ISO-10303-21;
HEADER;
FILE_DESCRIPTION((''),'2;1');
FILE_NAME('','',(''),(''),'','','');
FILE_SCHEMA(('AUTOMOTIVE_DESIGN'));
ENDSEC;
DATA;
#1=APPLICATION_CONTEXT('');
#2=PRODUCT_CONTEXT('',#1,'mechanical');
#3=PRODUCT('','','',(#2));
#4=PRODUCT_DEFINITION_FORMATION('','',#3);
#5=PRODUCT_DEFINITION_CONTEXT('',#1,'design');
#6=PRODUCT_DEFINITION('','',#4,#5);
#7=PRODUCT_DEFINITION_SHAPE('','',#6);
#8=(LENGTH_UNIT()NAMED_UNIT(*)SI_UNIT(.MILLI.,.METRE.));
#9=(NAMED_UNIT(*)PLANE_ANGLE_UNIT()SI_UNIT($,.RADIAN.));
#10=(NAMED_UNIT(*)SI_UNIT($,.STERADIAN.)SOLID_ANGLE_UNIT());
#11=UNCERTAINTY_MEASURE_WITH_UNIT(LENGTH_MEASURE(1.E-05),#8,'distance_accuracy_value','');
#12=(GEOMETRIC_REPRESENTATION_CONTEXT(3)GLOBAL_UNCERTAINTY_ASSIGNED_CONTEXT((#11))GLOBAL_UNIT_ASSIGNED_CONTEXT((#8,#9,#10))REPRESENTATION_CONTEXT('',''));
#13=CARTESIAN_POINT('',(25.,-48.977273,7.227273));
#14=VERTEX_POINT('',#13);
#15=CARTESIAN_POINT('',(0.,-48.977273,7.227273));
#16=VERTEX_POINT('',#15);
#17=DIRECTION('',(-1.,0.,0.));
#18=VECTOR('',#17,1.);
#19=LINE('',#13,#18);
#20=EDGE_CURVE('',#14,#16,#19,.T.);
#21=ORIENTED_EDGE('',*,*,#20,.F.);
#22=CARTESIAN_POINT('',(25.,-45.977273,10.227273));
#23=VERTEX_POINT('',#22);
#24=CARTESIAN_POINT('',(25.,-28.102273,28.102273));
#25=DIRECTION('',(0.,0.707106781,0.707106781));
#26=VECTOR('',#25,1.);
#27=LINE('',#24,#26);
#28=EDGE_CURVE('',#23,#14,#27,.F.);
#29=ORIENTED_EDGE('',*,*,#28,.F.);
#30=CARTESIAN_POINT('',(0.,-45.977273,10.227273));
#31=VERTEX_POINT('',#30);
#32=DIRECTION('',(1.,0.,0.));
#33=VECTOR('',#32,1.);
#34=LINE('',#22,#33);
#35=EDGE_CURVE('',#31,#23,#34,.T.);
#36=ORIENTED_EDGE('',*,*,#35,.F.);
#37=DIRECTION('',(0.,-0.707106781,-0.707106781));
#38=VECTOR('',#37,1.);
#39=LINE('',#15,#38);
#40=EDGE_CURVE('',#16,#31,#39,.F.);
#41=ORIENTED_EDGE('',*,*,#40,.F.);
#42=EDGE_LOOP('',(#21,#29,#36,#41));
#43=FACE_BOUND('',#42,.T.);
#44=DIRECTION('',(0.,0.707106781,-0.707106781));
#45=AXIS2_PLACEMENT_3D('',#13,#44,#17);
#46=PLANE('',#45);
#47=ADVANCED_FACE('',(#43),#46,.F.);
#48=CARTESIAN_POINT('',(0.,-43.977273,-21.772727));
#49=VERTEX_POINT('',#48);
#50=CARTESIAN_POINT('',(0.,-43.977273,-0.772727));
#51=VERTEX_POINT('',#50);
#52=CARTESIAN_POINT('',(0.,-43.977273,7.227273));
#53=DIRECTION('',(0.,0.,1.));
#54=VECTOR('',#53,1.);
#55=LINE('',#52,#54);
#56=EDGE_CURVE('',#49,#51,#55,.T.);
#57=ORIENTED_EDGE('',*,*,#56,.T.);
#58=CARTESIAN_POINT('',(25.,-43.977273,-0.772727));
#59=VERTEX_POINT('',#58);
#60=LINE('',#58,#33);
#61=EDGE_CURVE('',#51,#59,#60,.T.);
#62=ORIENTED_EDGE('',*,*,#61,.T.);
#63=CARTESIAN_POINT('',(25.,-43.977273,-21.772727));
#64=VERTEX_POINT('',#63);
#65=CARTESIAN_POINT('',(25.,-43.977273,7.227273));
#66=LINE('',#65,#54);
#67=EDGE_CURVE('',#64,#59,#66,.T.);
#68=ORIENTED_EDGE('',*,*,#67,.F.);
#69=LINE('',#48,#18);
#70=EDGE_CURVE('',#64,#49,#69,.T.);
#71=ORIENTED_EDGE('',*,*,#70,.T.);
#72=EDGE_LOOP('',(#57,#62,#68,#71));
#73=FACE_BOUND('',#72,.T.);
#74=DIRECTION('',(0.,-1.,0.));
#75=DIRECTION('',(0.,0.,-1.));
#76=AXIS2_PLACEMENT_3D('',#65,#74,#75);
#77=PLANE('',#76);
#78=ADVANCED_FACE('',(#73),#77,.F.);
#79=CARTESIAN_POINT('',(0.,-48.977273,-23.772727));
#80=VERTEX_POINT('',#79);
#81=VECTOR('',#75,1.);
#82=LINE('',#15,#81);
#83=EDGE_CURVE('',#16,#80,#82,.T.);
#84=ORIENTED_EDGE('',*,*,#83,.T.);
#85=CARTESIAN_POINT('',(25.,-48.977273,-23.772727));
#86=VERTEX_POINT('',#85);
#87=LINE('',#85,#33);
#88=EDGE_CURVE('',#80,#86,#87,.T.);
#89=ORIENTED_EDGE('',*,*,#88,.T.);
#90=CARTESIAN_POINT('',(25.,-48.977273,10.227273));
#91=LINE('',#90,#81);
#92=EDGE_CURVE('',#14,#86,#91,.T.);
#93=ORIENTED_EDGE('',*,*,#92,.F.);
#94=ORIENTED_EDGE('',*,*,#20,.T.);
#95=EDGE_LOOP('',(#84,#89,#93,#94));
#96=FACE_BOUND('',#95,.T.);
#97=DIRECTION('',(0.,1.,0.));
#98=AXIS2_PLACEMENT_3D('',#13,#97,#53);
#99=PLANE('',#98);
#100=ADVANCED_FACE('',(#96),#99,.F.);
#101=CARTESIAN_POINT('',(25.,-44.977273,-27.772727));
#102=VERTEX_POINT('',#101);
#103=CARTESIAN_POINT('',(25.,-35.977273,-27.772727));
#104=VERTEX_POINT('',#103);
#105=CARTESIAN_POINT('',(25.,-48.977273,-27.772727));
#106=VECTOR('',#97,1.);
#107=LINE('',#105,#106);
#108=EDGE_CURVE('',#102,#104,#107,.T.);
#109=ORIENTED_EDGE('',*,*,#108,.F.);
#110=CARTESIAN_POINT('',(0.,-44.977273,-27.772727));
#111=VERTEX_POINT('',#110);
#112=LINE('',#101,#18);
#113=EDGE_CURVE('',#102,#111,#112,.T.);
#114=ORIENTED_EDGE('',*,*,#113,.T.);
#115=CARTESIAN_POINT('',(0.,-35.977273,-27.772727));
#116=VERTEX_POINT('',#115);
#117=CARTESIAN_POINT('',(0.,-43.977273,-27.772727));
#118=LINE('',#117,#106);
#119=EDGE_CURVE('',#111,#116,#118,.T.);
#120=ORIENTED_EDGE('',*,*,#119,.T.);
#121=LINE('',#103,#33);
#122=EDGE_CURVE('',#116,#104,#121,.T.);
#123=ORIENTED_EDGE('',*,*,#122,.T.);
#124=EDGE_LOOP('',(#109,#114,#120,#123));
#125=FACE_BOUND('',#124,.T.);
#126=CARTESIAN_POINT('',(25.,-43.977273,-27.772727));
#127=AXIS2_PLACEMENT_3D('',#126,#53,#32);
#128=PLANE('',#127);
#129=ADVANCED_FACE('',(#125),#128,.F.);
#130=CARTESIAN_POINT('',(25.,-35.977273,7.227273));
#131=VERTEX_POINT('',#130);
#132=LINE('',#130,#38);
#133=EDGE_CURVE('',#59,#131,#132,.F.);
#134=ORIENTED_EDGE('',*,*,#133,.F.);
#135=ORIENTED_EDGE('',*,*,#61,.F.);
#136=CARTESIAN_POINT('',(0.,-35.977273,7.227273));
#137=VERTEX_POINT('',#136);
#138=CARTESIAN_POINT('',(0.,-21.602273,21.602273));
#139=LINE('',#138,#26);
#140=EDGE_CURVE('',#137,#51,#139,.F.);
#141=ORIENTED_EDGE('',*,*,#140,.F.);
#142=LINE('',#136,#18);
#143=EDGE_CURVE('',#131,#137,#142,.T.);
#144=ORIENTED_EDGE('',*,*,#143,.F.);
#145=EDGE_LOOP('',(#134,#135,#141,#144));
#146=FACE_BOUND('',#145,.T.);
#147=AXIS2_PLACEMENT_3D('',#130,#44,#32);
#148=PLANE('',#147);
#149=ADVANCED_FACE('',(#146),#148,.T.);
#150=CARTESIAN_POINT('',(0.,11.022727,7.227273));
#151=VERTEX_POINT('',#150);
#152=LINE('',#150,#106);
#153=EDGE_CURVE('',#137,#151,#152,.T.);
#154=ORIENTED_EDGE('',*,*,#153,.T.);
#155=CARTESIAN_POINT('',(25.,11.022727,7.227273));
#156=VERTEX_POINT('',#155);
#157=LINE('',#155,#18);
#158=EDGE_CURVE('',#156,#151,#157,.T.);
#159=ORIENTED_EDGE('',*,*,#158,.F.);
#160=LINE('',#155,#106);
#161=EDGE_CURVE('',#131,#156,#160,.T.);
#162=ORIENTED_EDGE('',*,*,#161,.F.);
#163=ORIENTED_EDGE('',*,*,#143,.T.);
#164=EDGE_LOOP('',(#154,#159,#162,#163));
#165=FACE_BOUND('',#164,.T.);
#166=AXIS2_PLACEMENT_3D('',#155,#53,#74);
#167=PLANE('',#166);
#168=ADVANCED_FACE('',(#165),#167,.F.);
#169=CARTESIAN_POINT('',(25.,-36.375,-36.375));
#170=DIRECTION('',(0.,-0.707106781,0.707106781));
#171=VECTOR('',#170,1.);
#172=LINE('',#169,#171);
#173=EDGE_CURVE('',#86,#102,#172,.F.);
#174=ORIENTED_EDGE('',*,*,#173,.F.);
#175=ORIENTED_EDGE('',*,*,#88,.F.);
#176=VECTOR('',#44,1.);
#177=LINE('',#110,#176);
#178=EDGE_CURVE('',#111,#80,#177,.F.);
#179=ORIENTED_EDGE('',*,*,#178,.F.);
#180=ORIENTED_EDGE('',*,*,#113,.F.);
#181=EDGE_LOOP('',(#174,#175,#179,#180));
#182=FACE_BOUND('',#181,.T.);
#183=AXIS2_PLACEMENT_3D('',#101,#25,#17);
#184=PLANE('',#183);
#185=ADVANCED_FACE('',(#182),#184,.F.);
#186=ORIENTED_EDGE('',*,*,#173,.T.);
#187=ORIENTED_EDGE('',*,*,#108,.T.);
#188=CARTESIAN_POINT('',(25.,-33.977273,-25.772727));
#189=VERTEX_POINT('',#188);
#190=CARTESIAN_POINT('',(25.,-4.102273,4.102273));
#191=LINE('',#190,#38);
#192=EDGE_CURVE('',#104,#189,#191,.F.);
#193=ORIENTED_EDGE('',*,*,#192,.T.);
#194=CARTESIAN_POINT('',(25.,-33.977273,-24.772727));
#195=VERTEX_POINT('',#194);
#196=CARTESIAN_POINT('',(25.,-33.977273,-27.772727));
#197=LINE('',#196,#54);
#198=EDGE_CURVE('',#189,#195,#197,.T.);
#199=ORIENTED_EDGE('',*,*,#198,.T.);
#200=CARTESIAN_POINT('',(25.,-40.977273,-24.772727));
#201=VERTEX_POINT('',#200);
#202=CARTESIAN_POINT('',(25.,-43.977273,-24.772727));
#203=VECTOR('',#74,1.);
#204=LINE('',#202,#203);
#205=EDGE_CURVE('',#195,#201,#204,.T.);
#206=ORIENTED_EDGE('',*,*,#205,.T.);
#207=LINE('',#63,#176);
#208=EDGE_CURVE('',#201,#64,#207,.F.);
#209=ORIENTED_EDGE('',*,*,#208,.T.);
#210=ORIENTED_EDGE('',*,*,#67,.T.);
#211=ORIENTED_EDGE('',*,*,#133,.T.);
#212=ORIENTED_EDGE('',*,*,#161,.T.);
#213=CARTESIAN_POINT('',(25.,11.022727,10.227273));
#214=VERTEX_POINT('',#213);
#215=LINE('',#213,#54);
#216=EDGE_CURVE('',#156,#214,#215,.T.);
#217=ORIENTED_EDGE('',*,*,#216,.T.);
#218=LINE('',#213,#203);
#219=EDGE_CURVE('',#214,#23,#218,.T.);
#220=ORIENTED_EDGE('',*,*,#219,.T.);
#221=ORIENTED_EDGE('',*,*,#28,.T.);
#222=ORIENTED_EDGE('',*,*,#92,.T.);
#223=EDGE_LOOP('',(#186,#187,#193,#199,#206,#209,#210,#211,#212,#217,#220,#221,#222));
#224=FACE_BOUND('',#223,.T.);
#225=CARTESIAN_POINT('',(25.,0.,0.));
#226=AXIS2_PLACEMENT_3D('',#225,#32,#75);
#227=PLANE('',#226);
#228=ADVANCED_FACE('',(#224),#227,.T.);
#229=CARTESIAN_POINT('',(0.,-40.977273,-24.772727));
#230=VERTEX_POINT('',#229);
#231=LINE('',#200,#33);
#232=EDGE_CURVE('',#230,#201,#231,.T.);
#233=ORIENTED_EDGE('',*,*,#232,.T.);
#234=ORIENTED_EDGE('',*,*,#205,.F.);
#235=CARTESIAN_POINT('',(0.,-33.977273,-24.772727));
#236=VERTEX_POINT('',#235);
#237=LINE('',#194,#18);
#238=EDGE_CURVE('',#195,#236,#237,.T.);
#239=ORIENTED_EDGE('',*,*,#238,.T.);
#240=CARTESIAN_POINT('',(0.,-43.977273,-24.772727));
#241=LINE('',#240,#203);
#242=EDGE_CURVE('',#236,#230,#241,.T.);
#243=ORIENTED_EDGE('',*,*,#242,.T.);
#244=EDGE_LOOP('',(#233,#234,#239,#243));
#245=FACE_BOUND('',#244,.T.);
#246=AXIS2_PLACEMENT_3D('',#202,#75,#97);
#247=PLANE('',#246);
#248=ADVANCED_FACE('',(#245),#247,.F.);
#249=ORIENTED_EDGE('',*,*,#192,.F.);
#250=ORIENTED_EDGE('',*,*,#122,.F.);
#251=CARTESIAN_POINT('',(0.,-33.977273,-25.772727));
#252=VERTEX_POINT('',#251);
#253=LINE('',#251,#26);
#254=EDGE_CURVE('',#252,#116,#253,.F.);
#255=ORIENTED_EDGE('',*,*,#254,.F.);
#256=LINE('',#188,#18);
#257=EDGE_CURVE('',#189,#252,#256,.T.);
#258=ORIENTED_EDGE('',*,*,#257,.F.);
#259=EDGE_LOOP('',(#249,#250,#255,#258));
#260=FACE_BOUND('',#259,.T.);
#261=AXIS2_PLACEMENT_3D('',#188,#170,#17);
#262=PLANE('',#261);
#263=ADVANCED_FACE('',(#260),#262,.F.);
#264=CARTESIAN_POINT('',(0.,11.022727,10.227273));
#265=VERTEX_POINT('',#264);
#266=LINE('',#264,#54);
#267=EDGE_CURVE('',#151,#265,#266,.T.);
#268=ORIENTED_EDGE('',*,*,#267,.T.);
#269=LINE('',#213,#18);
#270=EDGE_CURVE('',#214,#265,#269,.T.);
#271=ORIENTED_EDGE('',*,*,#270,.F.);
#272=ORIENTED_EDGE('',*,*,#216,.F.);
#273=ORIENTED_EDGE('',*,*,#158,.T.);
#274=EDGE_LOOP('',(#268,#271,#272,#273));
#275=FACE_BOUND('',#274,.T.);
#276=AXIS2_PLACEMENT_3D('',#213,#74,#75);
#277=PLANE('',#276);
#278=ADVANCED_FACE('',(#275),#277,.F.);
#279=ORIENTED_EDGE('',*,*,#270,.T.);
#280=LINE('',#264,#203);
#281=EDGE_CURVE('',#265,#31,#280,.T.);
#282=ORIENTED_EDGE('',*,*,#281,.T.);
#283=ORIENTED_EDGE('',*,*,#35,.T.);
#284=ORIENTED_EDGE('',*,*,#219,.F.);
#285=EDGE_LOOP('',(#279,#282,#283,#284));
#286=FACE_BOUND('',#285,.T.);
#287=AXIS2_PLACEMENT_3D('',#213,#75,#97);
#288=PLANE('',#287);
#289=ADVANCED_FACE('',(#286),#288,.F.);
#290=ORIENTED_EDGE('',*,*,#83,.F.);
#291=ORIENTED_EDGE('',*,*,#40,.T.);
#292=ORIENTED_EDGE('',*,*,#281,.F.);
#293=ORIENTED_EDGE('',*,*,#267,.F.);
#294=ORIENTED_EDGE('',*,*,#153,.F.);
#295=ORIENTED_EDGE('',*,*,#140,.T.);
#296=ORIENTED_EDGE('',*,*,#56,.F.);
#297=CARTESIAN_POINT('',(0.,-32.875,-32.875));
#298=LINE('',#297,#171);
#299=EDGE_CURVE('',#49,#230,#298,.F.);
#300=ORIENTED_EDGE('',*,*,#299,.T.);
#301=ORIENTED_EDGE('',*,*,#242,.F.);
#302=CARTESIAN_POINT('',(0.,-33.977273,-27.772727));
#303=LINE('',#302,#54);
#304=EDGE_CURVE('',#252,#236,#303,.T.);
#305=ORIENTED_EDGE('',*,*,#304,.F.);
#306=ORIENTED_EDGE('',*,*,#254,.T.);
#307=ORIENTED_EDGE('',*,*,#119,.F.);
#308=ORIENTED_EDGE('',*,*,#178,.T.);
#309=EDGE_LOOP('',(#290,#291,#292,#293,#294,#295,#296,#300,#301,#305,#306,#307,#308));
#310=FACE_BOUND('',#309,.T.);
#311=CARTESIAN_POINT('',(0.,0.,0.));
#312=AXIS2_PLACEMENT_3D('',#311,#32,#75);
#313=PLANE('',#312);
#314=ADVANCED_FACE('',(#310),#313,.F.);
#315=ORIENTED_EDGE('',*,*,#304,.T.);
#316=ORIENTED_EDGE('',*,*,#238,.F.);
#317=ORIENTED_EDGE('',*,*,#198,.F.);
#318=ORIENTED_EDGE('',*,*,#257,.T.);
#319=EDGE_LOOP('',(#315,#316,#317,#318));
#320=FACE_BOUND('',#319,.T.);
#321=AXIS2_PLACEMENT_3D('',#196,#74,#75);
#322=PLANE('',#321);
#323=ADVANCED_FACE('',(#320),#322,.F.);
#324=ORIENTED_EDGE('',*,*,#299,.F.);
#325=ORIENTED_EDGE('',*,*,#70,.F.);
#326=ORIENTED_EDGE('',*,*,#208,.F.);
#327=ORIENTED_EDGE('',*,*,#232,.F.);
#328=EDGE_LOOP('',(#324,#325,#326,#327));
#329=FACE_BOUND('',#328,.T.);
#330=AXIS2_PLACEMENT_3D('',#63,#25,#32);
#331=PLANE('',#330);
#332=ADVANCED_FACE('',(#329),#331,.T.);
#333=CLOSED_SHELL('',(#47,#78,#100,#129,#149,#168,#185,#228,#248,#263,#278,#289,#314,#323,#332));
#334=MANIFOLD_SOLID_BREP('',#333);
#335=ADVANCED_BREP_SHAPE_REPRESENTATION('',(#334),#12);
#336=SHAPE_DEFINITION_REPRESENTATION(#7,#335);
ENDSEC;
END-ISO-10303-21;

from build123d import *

# Parameters (mm, degrees)
BOSS_EXTRUDE1_DEPTH = 25
CHAMFER1_SIZE       = 8
CHAMFER2_SIZE       = 3
CHAMFER3_SIZE       = 4
CHAMFER4_SIZE       = 2


with BuildPart() as part:
    # Sketch1 → Boss-Extrude1 (new body)
    with BuildSketch(Plane(origin=(0, 0, 0), x_dir=(0, 0, -1), z_dir=(1, 0, 0))):
        Polygon((-10.227272727, 11.022727273), (-7.227272727, 11.022727273), (-7.227272727, -43.977272727), (24.772727273, -43.977272727), (24.772727273, -33.977272727), (27.772727273, -33.977272727), (27.772727273, -43.977272727), (27.772727273, -48.977272727), (-7.227272727, -48.977272727), (-10.227272727, -48.977272727), align=None)
    extrude(amount=BOSS_EXTRUDE1_DEPTH)

    # Chamfer1
    chamfer1_edges = [part.edges().sort_by_distance(p)[0] for p in [
        (12.5, -43.977272727, 7.227272727),
    ]]
    chamfer(chamfer1_edges, length=CHAMFER1_SIZE)

    # Chamfer2
    chamfer2_edges = [part.edges().sort_by_distance(p)[0] for p in [
        (12.5, -43.977272727, -24.772727273),
        (12.5, -48.977272727, 10.227272727),
    ]]
    chamfer(chamfer2_edges, length=CHAMFER2_SIZE)

    # Chamfer3
    chamfer3_edges = [part.edges().sort_by_distance(p)[0] for p in [
        (12.5, -48.977272727, -27.772727273),
    ]]
    chamfer(chamfer3_edges, length=CHAMFER3_SIZE)

    # Chamfer4
    chamfer4_edges = [part.edges().sort_by_distance(p)[0] for p in [
        (12.5, -33.977272727, -27.772727273),
    ]]
    chamfer(chamfer4_edges, length=CHAMFER4_SIZE)


solid = part.part
